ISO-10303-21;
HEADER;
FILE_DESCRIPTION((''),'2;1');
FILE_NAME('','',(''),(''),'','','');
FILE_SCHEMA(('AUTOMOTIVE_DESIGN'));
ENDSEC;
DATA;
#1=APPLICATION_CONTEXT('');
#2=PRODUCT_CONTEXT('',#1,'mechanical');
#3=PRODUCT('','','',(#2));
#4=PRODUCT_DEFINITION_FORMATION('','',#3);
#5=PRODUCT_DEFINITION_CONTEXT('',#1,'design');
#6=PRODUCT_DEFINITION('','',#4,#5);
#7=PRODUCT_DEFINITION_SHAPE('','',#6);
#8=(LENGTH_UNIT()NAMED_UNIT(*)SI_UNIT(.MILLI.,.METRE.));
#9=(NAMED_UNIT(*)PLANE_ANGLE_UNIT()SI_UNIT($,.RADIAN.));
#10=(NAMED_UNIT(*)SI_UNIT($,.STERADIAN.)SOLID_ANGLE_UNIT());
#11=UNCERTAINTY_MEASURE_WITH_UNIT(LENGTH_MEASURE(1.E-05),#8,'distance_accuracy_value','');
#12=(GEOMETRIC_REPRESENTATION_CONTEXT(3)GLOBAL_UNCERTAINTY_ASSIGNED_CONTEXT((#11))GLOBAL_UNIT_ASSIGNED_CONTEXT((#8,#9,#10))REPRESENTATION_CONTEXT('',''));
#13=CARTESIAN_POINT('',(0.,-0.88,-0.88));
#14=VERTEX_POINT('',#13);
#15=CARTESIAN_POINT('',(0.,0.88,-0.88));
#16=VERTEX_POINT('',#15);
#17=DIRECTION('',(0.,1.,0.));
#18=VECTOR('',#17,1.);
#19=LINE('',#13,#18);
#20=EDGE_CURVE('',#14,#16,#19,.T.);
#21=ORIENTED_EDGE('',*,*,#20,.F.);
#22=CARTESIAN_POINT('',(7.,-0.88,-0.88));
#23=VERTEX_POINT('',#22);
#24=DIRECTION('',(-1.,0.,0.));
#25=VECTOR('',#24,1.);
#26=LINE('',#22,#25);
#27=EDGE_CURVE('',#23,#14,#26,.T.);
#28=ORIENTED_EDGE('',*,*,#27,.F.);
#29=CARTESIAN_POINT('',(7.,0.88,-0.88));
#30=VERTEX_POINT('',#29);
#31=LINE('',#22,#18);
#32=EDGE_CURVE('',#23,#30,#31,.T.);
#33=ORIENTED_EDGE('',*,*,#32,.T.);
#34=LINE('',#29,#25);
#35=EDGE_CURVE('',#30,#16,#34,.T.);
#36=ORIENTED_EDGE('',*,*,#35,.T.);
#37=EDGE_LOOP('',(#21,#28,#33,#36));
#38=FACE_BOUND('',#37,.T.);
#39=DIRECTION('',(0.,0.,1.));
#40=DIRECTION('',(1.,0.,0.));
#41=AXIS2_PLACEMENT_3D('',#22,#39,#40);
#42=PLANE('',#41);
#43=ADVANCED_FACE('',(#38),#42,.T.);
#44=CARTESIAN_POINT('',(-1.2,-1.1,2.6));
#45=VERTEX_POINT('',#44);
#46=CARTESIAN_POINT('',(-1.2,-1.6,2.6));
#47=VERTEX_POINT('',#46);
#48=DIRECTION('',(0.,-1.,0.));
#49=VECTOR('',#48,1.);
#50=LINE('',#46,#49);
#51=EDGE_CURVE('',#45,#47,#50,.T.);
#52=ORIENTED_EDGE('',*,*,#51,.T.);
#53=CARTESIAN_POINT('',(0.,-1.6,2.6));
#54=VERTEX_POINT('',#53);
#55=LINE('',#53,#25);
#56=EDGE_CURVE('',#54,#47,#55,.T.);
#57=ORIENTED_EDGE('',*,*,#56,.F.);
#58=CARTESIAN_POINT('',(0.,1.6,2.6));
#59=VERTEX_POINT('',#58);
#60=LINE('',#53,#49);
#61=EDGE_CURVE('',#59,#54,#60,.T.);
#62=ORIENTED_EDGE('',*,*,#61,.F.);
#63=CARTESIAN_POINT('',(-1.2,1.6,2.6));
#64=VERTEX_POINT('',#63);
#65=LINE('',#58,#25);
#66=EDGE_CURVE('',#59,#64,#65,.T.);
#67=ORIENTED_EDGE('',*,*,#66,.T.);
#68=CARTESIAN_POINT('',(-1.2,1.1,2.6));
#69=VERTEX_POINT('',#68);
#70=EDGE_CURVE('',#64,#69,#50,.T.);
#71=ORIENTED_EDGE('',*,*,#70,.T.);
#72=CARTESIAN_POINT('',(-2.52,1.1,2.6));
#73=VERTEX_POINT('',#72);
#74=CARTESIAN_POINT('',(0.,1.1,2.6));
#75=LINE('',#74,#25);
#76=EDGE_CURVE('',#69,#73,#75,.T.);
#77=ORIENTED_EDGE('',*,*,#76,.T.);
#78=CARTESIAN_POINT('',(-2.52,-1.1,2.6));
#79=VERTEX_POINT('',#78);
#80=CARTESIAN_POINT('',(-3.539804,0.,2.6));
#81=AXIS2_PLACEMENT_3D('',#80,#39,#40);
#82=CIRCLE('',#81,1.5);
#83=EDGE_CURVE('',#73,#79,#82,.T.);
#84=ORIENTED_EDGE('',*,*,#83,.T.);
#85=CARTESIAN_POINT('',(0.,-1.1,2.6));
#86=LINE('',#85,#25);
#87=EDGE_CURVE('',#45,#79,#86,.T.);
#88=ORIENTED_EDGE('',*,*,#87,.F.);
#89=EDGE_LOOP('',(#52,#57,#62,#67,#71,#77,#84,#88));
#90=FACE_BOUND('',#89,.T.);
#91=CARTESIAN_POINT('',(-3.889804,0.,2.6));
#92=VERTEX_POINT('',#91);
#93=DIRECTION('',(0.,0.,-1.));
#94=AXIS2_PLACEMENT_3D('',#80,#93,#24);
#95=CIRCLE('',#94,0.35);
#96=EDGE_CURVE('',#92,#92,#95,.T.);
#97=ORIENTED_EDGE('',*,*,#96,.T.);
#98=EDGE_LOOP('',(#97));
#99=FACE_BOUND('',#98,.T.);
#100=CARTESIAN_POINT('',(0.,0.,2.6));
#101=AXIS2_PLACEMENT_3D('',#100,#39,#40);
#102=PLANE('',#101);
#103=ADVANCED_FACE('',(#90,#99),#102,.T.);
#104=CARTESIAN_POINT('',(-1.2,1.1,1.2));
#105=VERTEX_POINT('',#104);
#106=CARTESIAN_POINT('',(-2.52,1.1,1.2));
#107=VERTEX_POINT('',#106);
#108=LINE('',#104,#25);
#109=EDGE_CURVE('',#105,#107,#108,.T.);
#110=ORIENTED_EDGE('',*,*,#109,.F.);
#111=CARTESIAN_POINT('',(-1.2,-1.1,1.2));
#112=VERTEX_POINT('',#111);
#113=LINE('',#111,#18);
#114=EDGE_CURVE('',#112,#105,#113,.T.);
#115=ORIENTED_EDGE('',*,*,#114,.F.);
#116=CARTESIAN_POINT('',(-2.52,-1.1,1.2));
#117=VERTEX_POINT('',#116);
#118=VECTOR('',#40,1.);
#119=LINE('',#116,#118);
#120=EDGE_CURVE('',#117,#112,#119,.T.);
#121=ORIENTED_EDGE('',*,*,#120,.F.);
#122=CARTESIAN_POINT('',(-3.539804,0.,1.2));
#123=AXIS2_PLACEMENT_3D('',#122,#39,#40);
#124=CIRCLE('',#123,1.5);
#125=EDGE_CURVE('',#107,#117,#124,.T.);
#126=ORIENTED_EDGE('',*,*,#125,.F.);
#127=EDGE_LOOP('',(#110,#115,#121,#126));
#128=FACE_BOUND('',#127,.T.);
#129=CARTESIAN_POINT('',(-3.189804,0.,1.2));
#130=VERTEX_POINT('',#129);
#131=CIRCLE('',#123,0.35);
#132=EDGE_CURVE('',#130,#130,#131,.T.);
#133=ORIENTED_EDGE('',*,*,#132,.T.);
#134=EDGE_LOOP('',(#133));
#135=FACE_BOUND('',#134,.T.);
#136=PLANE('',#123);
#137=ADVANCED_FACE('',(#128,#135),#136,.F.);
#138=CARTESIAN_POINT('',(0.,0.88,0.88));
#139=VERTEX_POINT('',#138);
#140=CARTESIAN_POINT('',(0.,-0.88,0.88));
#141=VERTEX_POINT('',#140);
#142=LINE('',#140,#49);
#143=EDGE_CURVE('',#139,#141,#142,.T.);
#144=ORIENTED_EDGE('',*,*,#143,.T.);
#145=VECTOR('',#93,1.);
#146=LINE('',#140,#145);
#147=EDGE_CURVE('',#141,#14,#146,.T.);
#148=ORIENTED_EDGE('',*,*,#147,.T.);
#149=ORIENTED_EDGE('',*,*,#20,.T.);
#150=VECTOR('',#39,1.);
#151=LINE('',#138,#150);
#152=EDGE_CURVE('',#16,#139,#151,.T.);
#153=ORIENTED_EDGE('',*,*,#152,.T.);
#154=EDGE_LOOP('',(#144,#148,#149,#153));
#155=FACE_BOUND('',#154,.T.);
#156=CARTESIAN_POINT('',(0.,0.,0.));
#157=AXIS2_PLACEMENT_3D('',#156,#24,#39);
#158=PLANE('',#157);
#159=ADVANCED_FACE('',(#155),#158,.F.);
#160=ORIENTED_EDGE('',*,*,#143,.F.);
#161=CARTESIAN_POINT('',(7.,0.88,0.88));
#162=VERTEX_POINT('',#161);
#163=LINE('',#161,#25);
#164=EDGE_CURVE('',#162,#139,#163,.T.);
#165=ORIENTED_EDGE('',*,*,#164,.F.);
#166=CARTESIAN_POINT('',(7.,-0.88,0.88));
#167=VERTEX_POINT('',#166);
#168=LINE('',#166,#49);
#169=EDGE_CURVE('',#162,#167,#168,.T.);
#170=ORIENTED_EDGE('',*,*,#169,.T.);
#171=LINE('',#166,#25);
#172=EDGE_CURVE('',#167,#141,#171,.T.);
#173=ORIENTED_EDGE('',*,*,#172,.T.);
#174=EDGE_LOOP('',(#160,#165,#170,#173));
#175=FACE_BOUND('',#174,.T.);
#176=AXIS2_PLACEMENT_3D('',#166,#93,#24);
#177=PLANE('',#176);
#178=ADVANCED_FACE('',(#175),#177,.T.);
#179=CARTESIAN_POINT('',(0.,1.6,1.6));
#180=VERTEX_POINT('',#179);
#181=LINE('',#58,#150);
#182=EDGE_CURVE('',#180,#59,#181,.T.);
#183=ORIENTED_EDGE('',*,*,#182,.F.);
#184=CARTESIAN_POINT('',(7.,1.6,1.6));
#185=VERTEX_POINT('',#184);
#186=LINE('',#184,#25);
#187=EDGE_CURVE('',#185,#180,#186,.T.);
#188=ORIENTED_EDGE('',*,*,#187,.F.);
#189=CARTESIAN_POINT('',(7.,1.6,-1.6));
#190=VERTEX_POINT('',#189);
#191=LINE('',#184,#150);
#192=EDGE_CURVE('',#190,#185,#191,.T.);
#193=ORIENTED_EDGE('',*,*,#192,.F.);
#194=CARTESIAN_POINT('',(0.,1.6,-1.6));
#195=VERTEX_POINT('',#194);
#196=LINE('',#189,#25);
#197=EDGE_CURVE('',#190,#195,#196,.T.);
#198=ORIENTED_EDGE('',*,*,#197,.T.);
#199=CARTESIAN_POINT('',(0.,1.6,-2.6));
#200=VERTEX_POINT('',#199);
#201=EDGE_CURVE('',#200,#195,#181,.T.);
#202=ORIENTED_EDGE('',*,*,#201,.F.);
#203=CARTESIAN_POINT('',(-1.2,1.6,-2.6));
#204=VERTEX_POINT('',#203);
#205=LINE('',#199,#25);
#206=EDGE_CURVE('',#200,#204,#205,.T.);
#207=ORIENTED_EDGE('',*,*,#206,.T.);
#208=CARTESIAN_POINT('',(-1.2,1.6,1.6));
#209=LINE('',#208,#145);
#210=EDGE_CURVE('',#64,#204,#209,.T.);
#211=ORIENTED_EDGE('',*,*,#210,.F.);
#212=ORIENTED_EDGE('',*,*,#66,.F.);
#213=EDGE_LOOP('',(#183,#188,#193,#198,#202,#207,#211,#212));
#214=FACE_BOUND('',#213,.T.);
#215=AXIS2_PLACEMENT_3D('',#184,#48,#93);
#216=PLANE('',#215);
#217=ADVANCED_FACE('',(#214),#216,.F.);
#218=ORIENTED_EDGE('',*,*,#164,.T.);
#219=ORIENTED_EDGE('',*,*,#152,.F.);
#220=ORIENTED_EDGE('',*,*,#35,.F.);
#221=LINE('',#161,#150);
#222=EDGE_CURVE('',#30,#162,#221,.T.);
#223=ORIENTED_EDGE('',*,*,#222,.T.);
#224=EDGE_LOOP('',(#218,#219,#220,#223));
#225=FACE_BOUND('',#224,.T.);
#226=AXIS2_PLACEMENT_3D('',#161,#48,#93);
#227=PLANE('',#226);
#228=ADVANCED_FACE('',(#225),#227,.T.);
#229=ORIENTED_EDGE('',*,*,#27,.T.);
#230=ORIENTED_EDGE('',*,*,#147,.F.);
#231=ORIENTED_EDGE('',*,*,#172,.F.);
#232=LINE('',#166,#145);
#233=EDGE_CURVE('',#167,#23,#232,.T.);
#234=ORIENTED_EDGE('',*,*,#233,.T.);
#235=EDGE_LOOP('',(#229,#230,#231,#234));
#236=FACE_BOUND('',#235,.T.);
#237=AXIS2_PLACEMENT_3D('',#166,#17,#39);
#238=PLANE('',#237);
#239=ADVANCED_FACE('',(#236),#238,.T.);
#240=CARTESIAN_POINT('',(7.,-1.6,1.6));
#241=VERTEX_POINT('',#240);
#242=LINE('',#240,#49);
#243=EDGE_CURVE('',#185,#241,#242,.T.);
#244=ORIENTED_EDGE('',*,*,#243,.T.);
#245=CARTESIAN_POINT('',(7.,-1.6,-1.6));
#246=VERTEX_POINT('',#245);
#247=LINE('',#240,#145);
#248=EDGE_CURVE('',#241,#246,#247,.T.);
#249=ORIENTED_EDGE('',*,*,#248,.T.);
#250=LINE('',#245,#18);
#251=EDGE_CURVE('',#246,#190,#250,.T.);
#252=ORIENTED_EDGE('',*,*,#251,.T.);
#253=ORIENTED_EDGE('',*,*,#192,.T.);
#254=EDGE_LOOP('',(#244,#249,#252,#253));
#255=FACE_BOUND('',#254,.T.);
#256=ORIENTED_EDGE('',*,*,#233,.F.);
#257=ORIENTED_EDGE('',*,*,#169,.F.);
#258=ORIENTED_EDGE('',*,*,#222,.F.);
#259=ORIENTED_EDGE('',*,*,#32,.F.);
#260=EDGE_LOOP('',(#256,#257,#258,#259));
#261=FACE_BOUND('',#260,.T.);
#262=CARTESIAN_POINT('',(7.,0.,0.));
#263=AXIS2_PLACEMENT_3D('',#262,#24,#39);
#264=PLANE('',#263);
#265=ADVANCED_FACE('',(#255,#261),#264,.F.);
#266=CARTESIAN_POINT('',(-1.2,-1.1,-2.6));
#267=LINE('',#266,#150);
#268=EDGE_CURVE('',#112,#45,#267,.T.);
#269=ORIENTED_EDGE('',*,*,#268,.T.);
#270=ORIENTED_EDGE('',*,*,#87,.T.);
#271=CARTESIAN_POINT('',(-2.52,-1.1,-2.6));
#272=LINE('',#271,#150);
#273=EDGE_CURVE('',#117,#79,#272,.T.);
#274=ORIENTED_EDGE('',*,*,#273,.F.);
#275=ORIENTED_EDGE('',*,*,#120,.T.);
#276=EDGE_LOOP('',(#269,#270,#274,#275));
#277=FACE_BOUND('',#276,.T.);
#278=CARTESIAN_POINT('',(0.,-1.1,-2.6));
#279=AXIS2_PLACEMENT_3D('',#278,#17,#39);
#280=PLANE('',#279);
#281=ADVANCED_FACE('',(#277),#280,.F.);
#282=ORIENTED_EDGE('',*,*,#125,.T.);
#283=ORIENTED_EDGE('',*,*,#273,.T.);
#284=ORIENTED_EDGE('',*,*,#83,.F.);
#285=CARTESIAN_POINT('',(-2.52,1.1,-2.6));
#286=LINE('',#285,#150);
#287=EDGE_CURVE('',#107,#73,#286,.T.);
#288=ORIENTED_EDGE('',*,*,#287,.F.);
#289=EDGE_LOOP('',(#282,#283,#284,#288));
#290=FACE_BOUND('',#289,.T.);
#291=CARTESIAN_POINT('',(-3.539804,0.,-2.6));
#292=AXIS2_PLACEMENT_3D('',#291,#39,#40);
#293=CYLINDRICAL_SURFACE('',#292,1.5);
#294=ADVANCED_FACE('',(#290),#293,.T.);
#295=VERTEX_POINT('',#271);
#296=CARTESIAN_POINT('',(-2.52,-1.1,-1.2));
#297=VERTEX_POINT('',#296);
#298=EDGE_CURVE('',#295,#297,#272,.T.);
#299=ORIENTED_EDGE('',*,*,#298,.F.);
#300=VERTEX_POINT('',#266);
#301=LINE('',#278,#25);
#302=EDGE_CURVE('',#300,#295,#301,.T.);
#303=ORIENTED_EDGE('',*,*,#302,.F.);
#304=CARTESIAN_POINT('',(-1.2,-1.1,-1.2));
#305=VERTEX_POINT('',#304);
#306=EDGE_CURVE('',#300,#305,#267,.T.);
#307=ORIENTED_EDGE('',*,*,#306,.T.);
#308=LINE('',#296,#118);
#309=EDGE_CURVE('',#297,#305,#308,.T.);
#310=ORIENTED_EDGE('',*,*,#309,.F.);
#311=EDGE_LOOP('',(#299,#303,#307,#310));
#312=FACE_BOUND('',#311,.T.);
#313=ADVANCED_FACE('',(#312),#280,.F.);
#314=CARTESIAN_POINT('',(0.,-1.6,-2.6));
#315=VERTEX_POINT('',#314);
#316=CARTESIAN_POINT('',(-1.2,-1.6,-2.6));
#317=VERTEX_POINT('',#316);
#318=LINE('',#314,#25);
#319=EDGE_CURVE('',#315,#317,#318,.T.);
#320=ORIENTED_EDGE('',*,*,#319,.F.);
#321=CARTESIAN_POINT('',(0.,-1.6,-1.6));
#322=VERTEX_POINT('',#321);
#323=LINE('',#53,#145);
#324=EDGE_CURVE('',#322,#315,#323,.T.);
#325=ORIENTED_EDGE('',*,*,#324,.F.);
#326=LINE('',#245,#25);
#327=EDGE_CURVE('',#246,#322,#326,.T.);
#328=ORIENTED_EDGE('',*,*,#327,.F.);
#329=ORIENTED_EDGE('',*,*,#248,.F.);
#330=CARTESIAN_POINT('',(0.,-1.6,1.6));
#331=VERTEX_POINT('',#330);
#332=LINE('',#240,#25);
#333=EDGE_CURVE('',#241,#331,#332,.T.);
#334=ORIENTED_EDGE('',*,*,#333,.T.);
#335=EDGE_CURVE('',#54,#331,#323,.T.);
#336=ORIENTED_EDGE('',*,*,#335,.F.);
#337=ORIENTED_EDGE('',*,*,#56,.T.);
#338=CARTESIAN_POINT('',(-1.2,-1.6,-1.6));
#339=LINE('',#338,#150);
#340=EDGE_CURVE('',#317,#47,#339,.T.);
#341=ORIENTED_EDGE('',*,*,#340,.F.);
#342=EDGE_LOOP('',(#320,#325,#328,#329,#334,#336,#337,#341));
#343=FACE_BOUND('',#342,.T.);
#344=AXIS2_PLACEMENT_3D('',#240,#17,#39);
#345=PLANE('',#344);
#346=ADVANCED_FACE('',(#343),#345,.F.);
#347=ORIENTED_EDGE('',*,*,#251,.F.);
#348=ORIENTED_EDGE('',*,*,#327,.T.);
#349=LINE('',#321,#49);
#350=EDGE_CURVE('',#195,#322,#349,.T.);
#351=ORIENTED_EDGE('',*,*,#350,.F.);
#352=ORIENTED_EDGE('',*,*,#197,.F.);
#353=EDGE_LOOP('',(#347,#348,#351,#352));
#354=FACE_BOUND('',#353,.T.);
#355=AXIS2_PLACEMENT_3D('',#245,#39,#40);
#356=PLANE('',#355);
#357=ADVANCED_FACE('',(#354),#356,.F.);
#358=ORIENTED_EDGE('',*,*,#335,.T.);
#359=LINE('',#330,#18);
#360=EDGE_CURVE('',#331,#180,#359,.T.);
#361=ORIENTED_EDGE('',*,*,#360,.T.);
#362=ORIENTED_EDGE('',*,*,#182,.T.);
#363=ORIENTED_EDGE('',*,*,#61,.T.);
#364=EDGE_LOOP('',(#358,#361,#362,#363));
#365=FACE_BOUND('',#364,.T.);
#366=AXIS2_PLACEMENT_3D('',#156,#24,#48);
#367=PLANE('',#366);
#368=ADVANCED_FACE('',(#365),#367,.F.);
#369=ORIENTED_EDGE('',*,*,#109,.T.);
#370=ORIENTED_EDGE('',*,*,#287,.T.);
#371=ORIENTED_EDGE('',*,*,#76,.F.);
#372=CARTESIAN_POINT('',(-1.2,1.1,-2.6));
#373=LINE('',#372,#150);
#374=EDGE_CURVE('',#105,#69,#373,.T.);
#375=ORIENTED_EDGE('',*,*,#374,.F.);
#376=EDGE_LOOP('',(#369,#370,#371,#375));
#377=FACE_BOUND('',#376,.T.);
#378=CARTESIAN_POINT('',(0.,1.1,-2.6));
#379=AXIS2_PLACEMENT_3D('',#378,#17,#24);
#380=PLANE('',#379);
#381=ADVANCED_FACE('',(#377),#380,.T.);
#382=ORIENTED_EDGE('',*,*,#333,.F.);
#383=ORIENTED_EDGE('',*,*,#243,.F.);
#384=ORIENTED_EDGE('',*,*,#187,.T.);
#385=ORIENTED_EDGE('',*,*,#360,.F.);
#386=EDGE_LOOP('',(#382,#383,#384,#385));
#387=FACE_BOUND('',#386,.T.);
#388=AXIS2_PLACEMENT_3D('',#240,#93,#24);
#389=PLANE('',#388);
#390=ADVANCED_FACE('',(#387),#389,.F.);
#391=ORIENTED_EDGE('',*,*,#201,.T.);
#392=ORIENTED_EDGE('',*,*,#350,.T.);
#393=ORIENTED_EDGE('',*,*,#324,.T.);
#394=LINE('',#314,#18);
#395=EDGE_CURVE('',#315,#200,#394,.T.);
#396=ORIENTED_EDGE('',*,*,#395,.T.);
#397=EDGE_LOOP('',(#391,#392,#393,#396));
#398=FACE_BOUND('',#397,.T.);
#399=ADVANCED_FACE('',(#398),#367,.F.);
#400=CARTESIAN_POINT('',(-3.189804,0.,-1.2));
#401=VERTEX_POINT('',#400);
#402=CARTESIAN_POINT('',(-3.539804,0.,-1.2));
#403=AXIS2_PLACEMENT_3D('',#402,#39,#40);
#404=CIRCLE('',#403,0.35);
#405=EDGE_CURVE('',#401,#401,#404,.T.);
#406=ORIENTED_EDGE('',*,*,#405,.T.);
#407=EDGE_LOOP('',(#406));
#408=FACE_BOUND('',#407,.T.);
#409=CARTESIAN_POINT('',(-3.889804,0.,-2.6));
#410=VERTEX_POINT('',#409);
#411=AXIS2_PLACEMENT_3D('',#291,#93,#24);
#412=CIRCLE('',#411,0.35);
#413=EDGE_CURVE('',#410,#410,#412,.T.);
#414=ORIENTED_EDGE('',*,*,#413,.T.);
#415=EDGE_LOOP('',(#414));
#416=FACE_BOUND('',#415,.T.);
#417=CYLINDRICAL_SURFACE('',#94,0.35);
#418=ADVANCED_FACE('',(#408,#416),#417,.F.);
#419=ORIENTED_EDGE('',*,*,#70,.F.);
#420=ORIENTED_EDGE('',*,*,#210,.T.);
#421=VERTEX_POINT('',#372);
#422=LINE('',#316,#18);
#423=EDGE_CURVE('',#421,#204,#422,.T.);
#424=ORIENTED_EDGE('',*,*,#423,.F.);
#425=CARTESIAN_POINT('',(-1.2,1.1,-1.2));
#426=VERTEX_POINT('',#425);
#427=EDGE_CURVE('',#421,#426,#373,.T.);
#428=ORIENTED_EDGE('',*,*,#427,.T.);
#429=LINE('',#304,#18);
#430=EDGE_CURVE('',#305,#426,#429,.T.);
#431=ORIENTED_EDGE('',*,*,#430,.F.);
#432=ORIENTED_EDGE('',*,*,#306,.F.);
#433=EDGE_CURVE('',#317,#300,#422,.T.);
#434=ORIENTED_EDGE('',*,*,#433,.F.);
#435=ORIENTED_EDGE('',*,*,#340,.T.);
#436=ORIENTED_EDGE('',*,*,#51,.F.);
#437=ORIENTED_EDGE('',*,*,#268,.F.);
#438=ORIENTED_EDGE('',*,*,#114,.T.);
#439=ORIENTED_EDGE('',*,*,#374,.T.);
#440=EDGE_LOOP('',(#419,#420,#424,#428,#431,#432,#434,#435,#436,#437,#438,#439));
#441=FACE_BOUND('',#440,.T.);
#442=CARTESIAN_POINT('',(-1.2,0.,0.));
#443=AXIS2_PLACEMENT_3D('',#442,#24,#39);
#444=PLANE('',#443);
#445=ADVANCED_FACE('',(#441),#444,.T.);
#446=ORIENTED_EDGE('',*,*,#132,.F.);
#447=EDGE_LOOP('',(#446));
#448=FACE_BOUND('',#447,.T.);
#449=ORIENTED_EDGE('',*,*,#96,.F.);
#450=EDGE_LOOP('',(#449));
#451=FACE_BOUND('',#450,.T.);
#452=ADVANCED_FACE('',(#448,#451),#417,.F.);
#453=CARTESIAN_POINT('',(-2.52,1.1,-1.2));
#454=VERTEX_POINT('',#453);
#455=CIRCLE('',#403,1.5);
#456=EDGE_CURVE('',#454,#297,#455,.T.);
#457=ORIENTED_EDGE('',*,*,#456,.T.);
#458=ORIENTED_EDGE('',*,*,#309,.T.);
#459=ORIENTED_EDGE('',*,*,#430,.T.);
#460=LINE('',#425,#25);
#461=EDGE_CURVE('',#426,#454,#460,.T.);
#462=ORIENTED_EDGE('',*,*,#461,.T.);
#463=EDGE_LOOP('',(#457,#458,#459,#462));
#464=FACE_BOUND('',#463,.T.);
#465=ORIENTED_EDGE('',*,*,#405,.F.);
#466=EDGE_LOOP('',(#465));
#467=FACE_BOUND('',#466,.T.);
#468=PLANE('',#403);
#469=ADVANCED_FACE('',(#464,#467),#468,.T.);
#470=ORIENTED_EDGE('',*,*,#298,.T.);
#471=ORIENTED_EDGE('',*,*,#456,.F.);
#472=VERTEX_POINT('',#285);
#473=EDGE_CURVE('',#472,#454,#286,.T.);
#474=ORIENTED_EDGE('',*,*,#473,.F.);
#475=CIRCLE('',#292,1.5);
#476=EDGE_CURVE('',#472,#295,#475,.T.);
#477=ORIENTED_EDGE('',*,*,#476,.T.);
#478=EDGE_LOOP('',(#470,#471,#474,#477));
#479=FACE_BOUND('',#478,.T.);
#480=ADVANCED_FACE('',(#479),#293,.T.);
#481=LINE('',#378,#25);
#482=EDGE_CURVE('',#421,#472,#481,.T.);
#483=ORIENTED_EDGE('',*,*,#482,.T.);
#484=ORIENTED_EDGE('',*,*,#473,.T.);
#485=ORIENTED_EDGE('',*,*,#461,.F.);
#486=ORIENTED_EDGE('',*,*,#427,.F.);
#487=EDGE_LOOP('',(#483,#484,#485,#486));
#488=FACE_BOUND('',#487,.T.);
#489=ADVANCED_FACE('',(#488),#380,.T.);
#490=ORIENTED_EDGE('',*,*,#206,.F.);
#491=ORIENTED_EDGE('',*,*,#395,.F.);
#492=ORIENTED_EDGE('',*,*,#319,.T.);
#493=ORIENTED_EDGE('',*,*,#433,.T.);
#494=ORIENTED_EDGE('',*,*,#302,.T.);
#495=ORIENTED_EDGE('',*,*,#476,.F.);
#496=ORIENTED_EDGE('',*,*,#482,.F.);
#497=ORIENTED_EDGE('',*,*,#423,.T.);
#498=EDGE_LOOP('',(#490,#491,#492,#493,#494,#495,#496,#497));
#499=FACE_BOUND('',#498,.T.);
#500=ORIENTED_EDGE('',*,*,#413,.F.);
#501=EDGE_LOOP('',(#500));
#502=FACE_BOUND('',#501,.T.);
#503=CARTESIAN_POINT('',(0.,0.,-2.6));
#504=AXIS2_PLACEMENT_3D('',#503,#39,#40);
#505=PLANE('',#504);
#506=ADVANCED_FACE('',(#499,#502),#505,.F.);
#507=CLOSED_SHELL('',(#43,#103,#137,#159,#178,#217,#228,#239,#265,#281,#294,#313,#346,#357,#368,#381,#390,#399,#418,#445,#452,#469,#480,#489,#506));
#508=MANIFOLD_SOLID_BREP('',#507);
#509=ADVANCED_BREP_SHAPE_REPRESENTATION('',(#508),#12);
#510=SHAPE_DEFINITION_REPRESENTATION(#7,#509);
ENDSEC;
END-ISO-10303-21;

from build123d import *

# Parameters (mm, degrees)
SKETCH_1_W               = 3.2
SKETCH_1_H               = 3.2
SKETCH_1_W_2             = 1.76
SKETCH_1_H_2             = 1.76
EXTRUDE_1_DEPTH          = 7
SKETCH_2_W               = 3.2
SKETCH_2_H               = 3.2
EXTRUDE_2_DEPTH          = 1.2
EXTRUDE_3_DEPTH          = 2.6
CUT_EXTRUDE_1_DEPTH      = 1.2
SKETCH_5_W               = 5.2
SKETCH_5_H               = 3.2
EXTRUDE_4_DEPTH          = 1.2
CUT_EXTRUDE_2_DEPTH      = 9.124038405
CUT_EXTRUDE_2_DEPTH_BACK = 9.124038405
SKETCH_6_R               = 0.35


with BuildPart() as part:
    # 草图1 → 凸台-拉伸1 (new body)
    with BuildSketch(Plane(origin=(0, 0, 0), x_dir=(0, 0, -1), z_dir=(1, 0, 0))):
        Rectangle(SKETCH_1_W, SKETCH_1_H)
        Rectangle(SKETCH_1_W_2, SKETCH_1_H_2, mode=Mode.SUBTRACT)
    extrude(amount=EXTRUDE_1_DEPTH)

    # 草图2 → 凸台-拉伸2 (add)
    with BuildSketch(Plane.ZY):
        Rectangle(SKETCH_2_W, SKETCH_2_H)
    extrude(amount=EXTRUDE_2_DEPTH)

    # 草图3 → 凸台-拉伸3 (add, symmetric)
    with BuildSketch(Plane.XY):
        with BuildLine():
            Line((-1.2, -1.1), (-1.2, 1.1))
            Line((-1.2, 1.1), (-2.52, 1.1))
            ThreePointArc((-2.52, 1.1), (-2.165084685, 0.600122548), (-2.039803903, 0))
            ThreePointArc((-2.039803903, 0), (-2.165084685, -0.600122548), (-2.52, -1.1))
            Line((-2.52, -1.1), (-1.2, -1.1))
        make_face()
        with BuildLine():
            ThreePointArc((-2.039803903, 0), (-2.165084685, 0.600122548), (-2.52, 1.1))
            Line((-2.52, 1.1), (-2.52, -1.1))
            ThreePointArc((-2.52, -1.1), (-2.165084685, -0.600122548), (-2.039803903, 0))
        make_face()
        with BuildLine():
            Line((-2.52, -1.1), (-2.52, 1.1))
            ThreePointArc((-2.52, 1.1), (-5.039803903, 0), (-2.52, -1.1))
        make_face()
        with BuildLine():
            ThreePointArc((-2.039803903, 0), (-2.165084685, 0.600122548), (-2.52, 1.1))
            Line((-2.52, 1.1), (-2.52, -1.1))
            ThreePointArc((-2.52, -1.1), (-2.165084685, -0.600122548), (-2.039803903, 0))
        make_face()
        with BuildLine():
            Line((-2.52, -1.1), (-2.52, 1.1))
            ThreePointArc((-2.52, 1.1), (-5.039803903, 0), (-2.52, -1.1))
        make_face()
    extrude(amount=EXTRUDE_3_DEPTH, both=True)

    # 草图4 → 切除-拉伸1 (cut, symmetric)
    with BuildSketch(Plane.XY):
        with BuildLine():
            Line((-1.2, 1.1), (-2.52, 1.1))
            ThreePointArc((-2.52, 1.1), (-5.039803903, 0), (-2.52, -1.1))
            Line((-2.52, -1.1), (-1.2, -1.1))
            Line((-1.2, -1.1), (-1.2, 1.1))
        make_face()
    extrude(amount=CUT_EXTRUDE_1_DEPTH, both=True, mode=Mode.SUBTRACT)

    # 草图5 → 凸台-拉伸4 (add)
    with BuildSketch(Plane(origin=(-1.2, 0, 0), x_dir=(0, 0, -1), z_dir=(1, 0, 0))):
        Rectangle(SKETCH_5_W, SKETCH_5_H)
    extrude(amount=EXTRUDE_4_DEPTH)

    # 草图6 → 切除-拉伸2 (cut, two sides: drawn at the far end of the back side and taken through both)
    with BuildSketch(Plane(origin=(0, 0, 1.2), x_dir=(-1, 0, 0), z_dir=(0, 0, -1)).offset(-CUT_EXTRUDE_2_DEPTH_BACK)):
        with Locations((3.539803903, 0)):
            Circle(SKETCH_6_R)
    extrude(amount=CUT_EXTRUDE_2_DEPTH + CUT_EXTRUDE_2_DEPTH_BACK, mode=Mode.SUBTRACT)


solid = part.part
